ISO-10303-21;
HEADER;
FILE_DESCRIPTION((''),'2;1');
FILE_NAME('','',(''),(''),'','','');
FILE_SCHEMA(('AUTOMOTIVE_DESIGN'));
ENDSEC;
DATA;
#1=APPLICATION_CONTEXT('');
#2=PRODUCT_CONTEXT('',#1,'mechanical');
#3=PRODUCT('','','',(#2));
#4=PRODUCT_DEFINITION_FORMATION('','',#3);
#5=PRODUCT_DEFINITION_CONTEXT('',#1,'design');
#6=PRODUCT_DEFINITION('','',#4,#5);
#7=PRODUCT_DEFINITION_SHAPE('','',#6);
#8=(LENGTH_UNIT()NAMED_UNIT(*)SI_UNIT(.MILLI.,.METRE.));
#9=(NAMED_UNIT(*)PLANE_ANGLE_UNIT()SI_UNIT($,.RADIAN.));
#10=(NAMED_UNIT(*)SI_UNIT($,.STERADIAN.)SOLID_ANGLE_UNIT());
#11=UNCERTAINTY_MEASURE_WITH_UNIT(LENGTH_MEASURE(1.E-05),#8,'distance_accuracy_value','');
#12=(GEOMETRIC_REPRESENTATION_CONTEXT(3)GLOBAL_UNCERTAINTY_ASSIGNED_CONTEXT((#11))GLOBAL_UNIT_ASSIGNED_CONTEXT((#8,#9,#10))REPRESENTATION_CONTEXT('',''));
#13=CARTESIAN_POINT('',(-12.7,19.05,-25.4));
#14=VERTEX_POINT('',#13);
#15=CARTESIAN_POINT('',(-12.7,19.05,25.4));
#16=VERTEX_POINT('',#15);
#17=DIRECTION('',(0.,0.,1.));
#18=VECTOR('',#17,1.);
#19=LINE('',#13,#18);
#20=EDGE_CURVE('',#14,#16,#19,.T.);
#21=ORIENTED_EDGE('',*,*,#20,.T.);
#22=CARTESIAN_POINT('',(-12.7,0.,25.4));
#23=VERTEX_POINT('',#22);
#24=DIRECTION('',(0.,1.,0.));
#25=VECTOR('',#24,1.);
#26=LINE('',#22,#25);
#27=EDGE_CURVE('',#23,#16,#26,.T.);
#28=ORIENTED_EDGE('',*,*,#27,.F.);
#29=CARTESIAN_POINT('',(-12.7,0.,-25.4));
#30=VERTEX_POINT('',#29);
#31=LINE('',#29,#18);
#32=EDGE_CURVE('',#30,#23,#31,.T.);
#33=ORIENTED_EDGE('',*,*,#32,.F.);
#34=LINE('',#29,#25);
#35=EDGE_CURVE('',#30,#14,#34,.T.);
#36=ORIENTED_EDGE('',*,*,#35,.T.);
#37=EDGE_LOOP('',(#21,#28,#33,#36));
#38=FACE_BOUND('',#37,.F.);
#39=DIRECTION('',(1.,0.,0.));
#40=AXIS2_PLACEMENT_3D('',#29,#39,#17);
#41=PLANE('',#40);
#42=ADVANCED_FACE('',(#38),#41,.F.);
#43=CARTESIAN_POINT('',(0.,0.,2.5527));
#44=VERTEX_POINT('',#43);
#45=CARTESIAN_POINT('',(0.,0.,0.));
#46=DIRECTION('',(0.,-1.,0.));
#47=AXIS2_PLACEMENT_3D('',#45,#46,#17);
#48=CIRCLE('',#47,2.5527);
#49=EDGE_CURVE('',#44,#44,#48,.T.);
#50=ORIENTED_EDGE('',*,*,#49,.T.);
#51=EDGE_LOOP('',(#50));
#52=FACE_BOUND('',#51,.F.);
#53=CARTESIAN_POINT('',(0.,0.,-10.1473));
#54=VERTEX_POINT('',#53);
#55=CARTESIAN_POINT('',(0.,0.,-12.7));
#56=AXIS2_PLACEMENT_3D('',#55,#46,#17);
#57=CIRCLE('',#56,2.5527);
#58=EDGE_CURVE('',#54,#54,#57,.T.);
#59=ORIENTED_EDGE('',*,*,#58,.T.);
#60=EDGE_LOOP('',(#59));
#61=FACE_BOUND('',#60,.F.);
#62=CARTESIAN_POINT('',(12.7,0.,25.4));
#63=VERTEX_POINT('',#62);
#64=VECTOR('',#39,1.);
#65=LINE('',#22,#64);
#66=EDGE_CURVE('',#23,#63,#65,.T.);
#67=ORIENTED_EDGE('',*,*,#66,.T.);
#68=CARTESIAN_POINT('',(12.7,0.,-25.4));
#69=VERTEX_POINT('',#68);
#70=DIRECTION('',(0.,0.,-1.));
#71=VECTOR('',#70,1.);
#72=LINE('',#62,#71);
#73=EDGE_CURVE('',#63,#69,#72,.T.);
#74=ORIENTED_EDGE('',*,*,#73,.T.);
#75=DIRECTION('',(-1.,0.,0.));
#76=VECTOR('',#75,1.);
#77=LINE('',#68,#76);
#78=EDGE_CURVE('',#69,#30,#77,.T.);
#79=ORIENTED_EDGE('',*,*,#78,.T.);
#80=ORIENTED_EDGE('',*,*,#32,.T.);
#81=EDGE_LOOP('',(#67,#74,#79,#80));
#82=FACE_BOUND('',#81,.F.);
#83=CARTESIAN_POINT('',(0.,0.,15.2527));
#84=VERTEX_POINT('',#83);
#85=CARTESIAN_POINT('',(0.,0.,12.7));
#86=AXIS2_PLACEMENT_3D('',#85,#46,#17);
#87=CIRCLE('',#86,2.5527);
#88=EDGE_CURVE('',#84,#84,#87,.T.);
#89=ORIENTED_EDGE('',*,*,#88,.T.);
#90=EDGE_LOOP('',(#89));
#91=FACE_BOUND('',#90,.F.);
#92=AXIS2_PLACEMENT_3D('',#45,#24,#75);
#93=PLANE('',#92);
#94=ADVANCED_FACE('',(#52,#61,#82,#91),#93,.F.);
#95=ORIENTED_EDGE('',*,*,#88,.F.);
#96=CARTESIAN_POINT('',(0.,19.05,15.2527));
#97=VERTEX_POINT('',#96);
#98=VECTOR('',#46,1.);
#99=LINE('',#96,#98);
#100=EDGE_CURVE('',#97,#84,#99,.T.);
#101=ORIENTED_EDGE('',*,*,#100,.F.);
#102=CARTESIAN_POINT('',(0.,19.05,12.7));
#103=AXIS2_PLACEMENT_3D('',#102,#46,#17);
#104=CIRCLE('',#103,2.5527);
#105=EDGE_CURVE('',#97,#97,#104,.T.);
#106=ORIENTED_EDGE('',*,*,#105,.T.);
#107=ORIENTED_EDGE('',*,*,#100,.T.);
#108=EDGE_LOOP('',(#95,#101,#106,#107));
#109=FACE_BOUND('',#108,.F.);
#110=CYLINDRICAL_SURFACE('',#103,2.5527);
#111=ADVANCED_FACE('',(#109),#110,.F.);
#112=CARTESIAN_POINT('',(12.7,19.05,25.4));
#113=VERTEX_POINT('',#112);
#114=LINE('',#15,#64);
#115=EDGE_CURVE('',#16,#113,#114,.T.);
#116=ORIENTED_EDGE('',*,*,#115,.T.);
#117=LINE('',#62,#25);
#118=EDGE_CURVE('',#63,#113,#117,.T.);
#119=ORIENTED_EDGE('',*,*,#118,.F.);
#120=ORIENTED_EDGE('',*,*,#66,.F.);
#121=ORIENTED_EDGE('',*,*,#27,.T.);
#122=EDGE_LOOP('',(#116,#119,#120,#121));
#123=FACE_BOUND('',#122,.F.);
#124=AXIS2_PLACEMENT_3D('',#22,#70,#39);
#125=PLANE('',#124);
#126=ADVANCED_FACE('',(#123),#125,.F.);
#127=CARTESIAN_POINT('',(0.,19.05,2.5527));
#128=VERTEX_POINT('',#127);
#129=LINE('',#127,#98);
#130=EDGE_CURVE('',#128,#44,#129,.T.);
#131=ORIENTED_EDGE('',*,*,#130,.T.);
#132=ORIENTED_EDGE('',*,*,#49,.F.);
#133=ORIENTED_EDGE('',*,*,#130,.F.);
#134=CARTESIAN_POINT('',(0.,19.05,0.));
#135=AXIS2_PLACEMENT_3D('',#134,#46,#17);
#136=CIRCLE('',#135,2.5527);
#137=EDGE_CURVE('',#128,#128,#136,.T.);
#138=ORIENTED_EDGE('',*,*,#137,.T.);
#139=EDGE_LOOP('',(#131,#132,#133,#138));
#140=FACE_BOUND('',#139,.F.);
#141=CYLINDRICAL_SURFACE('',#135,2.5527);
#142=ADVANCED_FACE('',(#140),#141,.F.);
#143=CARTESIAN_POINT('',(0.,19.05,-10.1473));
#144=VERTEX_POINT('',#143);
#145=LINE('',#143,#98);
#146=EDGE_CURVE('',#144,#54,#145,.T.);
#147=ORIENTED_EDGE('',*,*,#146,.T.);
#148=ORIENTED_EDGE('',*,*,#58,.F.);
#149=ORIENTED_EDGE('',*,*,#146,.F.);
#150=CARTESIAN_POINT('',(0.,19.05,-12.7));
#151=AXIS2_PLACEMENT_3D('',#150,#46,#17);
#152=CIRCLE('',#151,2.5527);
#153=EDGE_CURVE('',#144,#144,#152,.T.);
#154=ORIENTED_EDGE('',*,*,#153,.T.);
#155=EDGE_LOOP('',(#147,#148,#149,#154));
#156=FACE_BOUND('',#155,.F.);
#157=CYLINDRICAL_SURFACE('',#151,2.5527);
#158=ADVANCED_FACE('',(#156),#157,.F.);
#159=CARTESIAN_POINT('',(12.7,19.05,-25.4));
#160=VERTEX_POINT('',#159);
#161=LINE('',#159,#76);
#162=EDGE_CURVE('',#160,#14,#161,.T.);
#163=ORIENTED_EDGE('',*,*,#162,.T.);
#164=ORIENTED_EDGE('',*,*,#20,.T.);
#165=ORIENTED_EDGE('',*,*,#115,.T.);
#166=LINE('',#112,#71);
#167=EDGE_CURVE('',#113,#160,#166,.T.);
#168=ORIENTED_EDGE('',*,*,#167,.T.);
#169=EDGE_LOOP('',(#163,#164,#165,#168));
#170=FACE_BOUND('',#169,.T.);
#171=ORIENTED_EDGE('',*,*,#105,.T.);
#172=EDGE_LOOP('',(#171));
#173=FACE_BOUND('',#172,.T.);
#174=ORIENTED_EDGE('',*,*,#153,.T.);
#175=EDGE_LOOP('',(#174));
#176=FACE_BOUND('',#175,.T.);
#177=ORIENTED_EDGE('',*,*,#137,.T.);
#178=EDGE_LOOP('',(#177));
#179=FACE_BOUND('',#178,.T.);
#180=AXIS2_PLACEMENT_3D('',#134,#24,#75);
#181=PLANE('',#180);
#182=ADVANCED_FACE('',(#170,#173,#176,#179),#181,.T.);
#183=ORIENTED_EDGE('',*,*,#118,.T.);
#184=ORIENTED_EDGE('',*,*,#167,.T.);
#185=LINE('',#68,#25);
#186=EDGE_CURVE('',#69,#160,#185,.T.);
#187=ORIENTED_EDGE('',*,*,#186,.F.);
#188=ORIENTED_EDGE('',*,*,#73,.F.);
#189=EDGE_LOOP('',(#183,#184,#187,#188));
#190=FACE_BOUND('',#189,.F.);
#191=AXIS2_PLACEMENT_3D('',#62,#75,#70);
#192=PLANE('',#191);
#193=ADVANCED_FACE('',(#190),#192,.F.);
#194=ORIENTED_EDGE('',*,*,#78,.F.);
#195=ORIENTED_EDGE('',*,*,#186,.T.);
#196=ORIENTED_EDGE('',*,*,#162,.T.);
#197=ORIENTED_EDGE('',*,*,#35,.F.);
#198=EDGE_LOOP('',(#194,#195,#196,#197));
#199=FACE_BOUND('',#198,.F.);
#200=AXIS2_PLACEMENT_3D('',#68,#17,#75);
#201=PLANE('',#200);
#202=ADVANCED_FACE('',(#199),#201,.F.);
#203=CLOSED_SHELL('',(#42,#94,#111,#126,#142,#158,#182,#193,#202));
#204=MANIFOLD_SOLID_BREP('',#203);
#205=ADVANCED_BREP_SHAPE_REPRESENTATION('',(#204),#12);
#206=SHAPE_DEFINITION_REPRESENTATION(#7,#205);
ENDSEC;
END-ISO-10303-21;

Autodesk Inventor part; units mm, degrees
ref_plane "YZ Plane" through (0, 0, 0) normal (1, 0, 0) x (0, 1, 0)
ref_plane "XZ Plane" through (0, 0, 0) normal (0, 1, 0) x (-1, 0, 0)
ref_plane "XY Plane" through (0, 0, 0) normal (0, 0, 1) x (1, 0, 0)
sketch "Sketch2" plane through (0, 0, 0) normal (0, 1, 0) x (-1, 0, 0)
  line L0 (12.7, 25.4) -> (-12.7, 25.4)
  line L1 (-12.7, 25.4) -> (-12.7, -25.4)
  line L2 (-12.7, -25.4) -> (12.7, -25.4)
  line L3 (12.7, -25.4) -> (12.7, 25.4)
  line L4 (12.7, 25.4) -> (-12.7, -25.4) construction
  line L5 (-12.7, 25.4) -> (12.7, -25.4) construction
  point P0 (0, 0)
  dimension "d0" = 25.4
  dimension "d1" = 50.8
extrude "Extrusion1" add sketch "Sketch2" along normal blind 19.05
sketch "Sketch3" plane through (0, 19.05, 0) normal (0, 1, 0) x (1, 0, 0)
  point P0 (0, 0)
  point P1 (0, -12.7)
  point P2 (0, 0)
  point P3 (0, 12.7)
  dimension "d4" = 12.7
  dimension "d5" = 12.7
hole "Hole1" at (0, 19.05, 12.7) at (0, 19.05, 0) at (0, 19.05, -12.7) direction (0, -1, 0) diameter 5.1054 end through all clearance for "Flat Head Machine Screw (82)" size "#10" standard "Ansi Unified Screw Threads"
equation "\"d5\" = d4"
properties part number "CL4-022" material "Aluminum 6061"
